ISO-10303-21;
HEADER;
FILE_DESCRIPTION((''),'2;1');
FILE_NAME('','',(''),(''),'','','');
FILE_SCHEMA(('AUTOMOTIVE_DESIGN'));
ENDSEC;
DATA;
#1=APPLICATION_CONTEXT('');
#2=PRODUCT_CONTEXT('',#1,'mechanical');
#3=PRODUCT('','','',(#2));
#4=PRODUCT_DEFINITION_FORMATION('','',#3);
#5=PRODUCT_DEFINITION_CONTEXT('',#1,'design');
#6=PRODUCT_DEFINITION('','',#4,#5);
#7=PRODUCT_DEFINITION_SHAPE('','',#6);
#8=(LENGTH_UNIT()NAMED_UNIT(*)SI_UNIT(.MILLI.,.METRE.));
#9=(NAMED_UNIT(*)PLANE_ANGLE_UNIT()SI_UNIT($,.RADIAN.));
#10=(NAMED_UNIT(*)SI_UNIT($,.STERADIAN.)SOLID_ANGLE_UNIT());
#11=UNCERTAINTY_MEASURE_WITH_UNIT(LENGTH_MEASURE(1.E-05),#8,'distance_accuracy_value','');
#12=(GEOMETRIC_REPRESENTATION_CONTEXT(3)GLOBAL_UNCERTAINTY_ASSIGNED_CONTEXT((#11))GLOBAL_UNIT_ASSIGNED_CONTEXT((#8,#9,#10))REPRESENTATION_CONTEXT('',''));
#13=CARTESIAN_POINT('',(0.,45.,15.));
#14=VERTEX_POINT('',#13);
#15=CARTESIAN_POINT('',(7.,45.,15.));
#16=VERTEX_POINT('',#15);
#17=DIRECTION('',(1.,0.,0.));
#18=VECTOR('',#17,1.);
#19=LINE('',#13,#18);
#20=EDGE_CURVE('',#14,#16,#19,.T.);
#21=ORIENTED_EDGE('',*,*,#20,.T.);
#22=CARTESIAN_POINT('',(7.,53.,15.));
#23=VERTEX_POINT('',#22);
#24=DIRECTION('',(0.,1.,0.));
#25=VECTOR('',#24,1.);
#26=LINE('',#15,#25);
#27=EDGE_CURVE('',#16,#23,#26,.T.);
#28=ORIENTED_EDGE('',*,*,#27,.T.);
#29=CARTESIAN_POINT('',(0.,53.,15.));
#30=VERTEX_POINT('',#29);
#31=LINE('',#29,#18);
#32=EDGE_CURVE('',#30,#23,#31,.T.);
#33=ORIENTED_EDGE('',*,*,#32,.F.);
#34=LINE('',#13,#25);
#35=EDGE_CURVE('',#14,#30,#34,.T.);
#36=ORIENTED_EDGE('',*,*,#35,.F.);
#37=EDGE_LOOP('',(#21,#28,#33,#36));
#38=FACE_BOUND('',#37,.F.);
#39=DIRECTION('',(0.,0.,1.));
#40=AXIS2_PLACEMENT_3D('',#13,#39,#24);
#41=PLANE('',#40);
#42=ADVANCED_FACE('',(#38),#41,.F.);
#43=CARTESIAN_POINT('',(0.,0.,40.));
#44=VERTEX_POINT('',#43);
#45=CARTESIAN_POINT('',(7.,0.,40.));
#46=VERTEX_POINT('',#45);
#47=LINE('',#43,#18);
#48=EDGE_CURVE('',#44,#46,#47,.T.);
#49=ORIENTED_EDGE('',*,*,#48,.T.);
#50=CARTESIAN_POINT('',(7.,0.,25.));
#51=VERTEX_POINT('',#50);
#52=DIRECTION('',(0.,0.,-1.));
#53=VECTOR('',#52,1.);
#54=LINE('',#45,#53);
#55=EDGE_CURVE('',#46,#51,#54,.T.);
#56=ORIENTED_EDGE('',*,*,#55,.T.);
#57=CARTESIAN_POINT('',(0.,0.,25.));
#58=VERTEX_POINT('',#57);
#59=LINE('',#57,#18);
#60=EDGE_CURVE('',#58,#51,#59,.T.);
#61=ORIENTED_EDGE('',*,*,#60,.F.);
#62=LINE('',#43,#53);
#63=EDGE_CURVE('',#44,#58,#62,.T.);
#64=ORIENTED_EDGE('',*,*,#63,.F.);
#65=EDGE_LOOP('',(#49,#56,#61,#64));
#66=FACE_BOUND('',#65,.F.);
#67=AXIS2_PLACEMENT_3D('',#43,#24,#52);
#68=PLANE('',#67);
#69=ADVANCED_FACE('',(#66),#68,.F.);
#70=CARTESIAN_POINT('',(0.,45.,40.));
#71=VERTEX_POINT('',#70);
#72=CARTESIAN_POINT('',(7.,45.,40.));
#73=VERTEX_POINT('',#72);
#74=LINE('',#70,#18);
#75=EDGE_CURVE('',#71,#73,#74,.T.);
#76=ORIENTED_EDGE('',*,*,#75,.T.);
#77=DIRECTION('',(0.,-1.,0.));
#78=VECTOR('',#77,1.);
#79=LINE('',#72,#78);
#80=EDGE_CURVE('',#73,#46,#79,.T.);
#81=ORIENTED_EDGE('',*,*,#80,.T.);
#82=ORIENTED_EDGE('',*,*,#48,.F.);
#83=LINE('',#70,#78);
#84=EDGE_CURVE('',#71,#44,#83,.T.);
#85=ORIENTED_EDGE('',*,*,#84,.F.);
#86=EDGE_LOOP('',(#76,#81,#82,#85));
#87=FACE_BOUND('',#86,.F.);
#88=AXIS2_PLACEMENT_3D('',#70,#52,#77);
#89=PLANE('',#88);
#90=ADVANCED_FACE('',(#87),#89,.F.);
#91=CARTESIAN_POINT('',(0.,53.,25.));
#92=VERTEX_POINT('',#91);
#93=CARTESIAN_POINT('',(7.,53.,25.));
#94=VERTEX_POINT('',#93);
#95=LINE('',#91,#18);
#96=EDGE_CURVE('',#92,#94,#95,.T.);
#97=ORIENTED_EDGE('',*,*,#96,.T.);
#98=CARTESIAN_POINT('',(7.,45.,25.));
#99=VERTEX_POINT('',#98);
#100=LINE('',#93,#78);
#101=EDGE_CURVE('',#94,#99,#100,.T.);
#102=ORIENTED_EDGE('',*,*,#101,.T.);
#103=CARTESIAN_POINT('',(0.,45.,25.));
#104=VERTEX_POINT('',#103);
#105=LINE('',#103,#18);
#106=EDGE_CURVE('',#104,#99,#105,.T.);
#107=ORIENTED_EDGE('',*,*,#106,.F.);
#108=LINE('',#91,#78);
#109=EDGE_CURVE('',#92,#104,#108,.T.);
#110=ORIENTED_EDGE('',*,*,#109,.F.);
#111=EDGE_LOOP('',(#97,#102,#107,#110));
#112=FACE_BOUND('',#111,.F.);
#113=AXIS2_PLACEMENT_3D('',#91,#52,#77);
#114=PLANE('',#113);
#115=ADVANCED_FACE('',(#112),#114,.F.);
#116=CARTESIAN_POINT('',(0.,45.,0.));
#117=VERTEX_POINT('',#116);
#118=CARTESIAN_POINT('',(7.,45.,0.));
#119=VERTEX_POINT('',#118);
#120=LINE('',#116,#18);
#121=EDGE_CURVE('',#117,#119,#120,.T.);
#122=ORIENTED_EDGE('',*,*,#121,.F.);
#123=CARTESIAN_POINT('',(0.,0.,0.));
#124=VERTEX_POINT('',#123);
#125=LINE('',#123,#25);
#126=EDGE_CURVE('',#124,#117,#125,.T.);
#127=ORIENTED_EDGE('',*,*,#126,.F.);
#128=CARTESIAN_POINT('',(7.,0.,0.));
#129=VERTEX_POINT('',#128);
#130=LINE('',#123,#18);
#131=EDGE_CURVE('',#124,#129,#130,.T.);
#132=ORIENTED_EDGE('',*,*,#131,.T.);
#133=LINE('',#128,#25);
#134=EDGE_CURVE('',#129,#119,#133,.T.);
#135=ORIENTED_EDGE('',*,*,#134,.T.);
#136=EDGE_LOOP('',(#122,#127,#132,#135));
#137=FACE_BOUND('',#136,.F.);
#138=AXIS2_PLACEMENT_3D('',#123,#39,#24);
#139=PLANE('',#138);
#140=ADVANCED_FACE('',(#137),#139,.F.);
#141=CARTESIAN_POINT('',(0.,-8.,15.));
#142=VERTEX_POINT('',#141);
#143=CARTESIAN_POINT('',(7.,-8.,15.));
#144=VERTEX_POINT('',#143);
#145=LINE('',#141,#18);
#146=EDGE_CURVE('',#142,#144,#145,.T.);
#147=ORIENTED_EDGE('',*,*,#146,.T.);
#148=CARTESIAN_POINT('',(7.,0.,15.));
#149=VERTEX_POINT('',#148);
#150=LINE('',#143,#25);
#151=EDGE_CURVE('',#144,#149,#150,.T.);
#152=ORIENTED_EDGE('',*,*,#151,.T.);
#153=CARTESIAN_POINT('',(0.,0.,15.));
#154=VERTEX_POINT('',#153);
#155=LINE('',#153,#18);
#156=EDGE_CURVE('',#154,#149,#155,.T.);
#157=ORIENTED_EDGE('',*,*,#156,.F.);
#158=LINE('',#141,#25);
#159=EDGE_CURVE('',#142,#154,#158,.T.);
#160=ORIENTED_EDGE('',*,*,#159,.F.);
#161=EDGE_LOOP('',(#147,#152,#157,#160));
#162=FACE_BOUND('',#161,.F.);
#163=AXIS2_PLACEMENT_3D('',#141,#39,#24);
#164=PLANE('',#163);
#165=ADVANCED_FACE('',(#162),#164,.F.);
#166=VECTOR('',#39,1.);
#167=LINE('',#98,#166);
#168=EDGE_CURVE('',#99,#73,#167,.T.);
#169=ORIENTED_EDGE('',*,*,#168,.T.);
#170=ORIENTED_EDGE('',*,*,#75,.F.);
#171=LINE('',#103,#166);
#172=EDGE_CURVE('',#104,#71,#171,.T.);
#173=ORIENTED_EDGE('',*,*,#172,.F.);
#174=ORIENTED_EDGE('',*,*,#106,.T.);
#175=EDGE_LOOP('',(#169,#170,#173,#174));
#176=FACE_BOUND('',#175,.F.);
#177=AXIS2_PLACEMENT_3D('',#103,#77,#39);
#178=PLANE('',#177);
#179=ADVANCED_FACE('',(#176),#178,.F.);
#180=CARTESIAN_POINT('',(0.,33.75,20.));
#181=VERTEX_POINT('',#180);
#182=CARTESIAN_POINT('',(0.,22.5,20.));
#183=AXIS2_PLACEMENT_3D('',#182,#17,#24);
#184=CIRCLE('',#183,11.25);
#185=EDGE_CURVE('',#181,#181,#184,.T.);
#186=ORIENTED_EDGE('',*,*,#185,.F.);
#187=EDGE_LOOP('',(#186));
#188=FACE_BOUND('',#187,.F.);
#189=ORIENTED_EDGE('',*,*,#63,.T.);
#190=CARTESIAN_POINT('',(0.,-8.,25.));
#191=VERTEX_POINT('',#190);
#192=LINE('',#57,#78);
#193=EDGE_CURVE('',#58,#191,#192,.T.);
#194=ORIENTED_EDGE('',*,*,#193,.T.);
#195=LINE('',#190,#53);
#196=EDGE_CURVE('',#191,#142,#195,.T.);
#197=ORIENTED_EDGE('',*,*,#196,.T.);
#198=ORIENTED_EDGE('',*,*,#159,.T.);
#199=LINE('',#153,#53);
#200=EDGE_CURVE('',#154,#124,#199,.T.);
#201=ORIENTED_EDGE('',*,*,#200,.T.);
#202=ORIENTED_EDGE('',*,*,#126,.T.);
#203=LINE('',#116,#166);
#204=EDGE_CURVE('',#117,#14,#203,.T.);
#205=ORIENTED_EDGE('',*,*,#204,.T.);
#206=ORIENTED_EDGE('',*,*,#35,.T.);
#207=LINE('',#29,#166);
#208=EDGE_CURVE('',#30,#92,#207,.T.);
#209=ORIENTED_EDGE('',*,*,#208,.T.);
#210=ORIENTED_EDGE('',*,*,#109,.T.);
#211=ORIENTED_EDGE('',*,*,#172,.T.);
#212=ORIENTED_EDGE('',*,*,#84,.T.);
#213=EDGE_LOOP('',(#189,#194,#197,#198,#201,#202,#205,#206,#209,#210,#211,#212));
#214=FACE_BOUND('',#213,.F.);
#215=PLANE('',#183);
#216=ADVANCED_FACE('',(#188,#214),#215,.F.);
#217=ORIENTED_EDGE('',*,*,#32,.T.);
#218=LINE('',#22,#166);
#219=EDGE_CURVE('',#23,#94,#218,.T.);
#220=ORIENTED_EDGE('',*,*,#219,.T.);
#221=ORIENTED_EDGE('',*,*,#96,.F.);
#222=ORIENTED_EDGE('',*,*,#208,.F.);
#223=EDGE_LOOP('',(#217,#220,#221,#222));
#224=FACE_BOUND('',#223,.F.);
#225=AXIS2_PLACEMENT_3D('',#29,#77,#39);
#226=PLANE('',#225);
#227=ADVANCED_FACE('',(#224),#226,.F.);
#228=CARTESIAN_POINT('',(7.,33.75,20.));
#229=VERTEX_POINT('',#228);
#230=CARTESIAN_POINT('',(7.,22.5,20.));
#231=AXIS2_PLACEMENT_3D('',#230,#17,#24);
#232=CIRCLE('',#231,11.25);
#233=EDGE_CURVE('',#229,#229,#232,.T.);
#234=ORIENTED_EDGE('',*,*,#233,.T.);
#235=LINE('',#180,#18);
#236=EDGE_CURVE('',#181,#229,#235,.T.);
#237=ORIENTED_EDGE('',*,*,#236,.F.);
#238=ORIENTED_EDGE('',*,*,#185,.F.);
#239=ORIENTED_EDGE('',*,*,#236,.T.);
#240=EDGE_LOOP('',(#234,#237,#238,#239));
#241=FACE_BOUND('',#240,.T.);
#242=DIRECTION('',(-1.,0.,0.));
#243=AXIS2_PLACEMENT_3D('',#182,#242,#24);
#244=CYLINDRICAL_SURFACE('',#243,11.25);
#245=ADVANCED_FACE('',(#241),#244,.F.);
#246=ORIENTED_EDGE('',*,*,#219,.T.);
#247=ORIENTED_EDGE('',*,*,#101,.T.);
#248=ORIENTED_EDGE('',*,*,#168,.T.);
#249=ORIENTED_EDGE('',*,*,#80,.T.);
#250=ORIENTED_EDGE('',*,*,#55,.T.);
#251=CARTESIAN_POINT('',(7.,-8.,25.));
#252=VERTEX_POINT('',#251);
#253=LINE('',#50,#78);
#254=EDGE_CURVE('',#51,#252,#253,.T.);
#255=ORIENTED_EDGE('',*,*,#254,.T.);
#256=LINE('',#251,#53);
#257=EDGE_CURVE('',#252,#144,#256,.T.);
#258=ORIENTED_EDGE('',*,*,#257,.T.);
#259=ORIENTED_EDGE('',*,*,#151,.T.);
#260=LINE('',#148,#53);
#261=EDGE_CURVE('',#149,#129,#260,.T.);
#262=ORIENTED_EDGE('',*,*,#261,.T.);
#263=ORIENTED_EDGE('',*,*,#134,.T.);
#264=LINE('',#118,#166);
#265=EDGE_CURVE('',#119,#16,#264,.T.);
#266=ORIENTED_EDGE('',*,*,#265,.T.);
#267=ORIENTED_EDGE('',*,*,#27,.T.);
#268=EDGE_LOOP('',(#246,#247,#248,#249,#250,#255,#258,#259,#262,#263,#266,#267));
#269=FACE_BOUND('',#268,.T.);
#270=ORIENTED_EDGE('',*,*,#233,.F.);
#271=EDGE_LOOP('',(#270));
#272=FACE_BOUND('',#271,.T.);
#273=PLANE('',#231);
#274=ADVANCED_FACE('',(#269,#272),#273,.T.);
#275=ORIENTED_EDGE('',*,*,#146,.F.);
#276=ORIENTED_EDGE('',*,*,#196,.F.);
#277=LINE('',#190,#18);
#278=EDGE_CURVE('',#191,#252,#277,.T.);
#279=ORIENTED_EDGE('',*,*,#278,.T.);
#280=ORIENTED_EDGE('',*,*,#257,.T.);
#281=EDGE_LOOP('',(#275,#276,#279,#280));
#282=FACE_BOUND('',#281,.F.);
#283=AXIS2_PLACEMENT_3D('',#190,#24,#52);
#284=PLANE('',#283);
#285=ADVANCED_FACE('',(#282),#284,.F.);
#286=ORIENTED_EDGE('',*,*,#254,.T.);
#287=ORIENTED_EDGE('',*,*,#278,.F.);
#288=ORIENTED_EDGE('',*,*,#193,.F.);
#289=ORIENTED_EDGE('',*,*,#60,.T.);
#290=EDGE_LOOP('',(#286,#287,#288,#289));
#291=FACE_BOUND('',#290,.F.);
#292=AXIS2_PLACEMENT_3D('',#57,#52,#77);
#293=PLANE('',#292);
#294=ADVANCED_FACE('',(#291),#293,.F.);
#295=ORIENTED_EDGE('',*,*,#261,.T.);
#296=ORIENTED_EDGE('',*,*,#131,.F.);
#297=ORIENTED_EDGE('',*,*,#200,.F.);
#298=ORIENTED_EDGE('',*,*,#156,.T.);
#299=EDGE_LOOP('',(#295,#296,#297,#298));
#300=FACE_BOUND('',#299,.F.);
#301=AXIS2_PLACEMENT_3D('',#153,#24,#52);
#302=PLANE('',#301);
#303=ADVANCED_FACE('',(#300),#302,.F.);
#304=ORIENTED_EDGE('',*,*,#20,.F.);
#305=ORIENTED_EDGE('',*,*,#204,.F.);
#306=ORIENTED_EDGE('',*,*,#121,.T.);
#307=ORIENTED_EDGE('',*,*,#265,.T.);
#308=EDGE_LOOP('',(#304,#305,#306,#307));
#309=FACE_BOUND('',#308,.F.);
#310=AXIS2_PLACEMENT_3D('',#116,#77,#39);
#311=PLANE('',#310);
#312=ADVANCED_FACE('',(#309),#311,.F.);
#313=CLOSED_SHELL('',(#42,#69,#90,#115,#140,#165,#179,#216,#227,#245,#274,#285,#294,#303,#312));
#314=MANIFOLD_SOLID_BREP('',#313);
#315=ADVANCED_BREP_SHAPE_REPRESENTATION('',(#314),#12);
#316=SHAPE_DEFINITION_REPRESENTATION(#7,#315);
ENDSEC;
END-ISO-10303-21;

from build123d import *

# Parameters (mm, degrees)
F0_R     = 11.25
F1_DEPTH = 7


with BuildPart() as f1:
    # F0 (on Right) → F1 (new body)
    with BuildSketch(Plane.YZ):
        Polygon((0, 15), (0, 0), (45, 0), (45, 15), (53, 15), (53, 25), (45, 25), (45, 40), (0, 40), (0, 25), (-8, 25), (-8, 15), align=None)
        with Locations((22.5, 20)):
            Circle(F0_R, mode=Mode.SUBTRACT)
    extrude(amount=F1_DEPTH)


solid = f1.part
